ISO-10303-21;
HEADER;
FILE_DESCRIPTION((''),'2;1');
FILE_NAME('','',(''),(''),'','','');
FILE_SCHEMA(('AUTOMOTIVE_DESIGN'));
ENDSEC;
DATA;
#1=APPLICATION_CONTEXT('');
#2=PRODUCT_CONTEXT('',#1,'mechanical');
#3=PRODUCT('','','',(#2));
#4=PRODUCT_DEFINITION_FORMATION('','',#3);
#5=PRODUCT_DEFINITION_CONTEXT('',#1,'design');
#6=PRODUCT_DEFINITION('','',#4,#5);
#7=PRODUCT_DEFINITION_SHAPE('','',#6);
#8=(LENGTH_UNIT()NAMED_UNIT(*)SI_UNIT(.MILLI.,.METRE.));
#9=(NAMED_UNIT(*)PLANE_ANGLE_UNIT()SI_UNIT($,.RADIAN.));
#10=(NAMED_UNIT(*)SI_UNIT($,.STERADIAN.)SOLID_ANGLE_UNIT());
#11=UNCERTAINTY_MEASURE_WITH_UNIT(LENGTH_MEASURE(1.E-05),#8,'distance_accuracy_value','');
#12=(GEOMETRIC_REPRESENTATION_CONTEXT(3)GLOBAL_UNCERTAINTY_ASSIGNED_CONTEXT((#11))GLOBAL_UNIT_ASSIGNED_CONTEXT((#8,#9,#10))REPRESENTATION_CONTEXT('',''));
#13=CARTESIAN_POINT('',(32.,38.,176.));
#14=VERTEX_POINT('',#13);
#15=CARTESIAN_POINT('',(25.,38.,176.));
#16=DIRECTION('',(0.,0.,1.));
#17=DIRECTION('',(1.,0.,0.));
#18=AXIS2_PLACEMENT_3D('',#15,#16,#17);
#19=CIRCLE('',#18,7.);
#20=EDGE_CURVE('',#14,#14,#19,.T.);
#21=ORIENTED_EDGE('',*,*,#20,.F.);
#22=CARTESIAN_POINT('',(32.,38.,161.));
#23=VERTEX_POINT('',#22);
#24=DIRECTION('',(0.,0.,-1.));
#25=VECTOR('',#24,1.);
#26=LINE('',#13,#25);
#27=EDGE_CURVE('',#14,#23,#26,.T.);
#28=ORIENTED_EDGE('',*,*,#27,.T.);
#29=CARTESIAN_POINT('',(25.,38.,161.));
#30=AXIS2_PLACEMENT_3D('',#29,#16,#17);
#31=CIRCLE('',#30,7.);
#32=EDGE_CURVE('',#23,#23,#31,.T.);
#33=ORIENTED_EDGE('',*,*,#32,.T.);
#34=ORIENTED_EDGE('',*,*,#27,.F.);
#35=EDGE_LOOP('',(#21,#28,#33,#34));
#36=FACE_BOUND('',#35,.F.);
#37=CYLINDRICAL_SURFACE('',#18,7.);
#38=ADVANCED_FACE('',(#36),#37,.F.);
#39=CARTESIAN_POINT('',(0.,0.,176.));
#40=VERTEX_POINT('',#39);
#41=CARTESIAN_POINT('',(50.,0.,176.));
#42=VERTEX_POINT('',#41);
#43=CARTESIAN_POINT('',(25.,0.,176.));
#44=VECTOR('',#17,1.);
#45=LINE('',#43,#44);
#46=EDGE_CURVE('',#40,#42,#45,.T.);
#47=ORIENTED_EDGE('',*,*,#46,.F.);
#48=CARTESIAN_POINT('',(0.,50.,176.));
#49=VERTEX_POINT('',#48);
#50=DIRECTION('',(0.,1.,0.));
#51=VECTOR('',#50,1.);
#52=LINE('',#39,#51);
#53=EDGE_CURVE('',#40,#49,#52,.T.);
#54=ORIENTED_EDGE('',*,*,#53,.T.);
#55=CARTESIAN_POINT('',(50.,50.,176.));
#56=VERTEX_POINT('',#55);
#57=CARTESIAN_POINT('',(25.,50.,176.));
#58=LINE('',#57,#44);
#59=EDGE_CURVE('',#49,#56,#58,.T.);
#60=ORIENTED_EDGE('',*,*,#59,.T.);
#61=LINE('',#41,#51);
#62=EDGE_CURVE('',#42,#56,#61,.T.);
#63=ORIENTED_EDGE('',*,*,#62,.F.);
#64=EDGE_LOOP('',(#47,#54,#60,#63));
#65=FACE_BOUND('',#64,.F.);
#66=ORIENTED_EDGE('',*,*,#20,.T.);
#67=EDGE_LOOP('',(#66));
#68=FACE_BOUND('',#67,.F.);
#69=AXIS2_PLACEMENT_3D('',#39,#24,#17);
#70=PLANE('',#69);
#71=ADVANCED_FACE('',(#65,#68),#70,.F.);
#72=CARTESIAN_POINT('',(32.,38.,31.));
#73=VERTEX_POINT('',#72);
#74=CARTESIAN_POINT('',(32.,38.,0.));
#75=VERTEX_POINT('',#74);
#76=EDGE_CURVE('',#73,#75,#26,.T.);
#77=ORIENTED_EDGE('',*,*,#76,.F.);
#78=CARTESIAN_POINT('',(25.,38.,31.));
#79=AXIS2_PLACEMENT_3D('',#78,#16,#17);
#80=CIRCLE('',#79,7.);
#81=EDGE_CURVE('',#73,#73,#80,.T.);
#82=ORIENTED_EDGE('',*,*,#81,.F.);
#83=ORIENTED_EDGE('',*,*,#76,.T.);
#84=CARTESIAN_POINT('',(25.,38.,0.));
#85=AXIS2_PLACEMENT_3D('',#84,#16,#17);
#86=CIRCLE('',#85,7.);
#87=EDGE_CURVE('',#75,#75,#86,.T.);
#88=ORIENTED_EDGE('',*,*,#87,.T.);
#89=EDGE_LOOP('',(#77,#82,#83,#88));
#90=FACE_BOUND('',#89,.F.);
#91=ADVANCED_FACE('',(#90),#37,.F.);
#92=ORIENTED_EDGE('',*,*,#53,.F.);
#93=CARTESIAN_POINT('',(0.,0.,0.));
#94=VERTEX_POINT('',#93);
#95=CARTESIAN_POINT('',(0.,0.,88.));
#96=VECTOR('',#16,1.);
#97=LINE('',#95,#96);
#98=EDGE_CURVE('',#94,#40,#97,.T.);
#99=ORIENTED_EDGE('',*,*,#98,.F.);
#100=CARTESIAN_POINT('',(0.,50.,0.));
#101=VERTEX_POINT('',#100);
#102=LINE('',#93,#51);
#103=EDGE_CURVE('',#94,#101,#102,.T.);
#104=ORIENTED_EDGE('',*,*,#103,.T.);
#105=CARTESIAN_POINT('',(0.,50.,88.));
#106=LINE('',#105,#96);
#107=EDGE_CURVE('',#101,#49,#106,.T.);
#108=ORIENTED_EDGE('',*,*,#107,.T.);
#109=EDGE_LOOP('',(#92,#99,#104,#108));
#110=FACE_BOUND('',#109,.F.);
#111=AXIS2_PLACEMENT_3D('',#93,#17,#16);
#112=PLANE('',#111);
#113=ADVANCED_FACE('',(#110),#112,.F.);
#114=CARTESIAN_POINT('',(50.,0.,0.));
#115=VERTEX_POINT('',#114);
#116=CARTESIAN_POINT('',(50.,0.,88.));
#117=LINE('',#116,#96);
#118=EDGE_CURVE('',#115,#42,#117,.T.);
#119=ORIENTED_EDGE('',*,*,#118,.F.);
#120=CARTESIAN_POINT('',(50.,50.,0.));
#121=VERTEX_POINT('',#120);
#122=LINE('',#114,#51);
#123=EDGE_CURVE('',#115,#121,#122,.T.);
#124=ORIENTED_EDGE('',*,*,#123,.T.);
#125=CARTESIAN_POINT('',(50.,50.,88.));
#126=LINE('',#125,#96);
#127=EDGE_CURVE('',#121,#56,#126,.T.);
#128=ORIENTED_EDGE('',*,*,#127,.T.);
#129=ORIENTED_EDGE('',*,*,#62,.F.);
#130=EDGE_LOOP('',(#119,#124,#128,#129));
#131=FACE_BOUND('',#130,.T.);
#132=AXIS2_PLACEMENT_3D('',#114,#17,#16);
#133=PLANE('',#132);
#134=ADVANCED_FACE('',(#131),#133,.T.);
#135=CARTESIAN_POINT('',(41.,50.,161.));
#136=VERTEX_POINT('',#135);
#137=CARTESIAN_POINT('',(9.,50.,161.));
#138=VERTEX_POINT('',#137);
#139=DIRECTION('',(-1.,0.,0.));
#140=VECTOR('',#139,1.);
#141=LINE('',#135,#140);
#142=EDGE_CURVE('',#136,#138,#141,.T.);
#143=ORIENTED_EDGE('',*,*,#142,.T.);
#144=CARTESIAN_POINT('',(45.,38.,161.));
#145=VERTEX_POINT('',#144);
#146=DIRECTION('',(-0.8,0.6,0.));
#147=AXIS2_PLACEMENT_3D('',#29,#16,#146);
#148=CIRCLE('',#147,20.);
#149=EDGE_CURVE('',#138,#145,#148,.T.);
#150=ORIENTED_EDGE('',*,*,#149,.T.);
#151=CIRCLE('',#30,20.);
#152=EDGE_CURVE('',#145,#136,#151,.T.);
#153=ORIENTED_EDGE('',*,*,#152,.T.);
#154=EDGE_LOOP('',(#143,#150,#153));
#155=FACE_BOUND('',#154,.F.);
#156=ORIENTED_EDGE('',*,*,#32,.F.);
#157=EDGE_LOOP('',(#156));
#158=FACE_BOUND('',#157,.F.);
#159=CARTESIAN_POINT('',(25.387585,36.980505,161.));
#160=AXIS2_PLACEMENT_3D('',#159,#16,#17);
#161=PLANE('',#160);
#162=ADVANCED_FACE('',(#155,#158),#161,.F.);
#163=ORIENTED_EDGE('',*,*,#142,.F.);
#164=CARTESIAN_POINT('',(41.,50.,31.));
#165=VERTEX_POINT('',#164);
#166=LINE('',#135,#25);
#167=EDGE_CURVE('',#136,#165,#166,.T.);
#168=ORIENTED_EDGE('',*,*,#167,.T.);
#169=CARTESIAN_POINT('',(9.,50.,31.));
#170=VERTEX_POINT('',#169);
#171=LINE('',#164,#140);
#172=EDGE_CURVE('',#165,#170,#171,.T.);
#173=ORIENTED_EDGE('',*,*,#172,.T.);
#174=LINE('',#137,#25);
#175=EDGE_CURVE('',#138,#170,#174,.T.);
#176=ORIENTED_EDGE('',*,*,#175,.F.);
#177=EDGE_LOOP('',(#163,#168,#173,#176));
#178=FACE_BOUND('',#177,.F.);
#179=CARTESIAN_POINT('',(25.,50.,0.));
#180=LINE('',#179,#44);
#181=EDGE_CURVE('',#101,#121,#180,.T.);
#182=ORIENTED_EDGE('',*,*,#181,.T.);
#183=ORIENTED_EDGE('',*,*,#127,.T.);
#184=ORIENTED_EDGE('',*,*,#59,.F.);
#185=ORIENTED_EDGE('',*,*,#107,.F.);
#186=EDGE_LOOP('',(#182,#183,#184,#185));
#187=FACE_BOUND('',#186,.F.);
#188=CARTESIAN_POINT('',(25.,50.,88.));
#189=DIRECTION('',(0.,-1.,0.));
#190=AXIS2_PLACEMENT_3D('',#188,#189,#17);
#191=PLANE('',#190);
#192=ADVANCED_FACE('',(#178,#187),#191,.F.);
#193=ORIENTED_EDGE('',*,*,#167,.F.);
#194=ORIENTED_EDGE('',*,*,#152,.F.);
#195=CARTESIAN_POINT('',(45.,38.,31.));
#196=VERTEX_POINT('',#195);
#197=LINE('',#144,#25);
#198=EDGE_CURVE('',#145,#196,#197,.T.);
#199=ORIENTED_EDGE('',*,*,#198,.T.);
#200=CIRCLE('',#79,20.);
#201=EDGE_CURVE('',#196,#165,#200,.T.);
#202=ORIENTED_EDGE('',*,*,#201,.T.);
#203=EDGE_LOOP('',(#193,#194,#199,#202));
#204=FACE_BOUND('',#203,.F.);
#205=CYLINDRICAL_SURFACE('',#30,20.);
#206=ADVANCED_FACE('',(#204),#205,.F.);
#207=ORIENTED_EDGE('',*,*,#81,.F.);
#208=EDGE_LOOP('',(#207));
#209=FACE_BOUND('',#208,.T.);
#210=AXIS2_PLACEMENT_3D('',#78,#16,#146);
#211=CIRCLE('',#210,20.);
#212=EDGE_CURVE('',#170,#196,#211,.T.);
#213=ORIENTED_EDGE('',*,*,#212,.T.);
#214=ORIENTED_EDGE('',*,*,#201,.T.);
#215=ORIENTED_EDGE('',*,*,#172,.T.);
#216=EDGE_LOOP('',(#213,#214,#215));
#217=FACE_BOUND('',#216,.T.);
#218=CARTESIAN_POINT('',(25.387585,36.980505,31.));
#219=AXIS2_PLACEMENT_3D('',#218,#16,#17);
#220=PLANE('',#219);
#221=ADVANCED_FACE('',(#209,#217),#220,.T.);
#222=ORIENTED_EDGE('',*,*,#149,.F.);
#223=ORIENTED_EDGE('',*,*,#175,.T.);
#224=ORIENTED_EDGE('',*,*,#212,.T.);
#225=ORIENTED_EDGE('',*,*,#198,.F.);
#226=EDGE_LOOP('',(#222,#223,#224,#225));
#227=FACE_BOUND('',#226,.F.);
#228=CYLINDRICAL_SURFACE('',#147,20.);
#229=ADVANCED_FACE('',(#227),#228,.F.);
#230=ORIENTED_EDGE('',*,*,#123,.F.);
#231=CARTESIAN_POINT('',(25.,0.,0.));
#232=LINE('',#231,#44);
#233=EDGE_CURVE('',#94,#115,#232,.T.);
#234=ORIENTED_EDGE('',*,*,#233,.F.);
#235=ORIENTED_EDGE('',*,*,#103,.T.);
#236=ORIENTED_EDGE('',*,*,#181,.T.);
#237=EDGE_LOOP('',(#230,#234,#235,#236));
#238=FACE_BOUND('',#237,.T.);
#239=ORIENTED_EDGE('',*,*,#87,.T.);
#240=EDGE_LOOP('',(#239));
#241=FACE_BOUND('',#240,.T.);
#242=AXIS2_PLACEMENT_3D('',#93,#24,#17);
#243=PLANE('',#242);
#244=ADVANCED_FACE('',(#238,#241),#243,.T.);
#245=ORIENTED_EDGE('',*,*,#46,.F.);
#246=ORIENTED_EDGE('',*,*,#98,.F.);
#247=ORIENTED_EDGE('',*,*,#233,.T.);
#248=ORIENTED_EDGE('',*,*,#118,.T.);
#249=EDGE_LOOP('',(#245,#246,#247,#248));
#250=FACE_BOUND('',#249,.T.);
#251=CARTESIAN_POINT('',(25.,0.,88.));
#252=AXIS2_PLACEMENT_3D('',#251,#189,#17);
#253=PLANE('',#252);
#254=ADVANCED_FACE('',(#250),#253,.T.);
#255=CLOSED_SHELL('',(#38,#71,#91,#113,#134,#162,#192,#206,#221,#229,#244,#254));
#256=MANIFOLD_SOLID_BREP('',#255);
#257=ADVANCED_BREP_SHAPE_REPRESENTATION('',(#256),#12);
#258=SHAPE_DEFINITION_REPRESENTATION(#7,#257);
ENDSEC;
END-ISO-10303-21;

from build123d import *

# Parameters (mm, degrees)
F0_W     = 50
F0_H     = 176
F1_DEPTH = 50
F2_R     = 7
F3_DEPTH = 176.001
F4_START = -15
F4_DEPTH = 130


with BuildPart() as f1:
    # F0 (on Front) → F1 (new body)
    with BuildSketch(Plane.XZ):
        with Locations((25, 88)):
            Rectangle(F0_W, F0_H)
    extrude(amount=-F1_DEPTH)

    # F2 (on face) → F3 (cut, through all)
    with BuildSketch(Plane.XY.offset(176)):
        with Locations((25, 38)):
            Circle(F2_R)
    extrude(amount=-F3_DEPTH, mode=Mode.SUBTRACT)

    # F2 (on face) → F4 (cut)
    with BuildSketch(Plane.XY.offset(176).offset(F4_START)):
        with BuildLine():
            ThreePointArc((9, 50), (18.6754446797, 19.026334039), (45, 38))
            ThreePointArc((45, 38), (43.973665961, 44.3245553203), (41, 50))
            Line((41, 50), (9, 50))
        make_face()
        with Locations((25, 38)):
            Circle(F2_R, mode=Mode.SUBTRACT)
    extrude(amount=-F4_DEPTH, mode=Mode.SUBTRACT)


solid = f1.part
